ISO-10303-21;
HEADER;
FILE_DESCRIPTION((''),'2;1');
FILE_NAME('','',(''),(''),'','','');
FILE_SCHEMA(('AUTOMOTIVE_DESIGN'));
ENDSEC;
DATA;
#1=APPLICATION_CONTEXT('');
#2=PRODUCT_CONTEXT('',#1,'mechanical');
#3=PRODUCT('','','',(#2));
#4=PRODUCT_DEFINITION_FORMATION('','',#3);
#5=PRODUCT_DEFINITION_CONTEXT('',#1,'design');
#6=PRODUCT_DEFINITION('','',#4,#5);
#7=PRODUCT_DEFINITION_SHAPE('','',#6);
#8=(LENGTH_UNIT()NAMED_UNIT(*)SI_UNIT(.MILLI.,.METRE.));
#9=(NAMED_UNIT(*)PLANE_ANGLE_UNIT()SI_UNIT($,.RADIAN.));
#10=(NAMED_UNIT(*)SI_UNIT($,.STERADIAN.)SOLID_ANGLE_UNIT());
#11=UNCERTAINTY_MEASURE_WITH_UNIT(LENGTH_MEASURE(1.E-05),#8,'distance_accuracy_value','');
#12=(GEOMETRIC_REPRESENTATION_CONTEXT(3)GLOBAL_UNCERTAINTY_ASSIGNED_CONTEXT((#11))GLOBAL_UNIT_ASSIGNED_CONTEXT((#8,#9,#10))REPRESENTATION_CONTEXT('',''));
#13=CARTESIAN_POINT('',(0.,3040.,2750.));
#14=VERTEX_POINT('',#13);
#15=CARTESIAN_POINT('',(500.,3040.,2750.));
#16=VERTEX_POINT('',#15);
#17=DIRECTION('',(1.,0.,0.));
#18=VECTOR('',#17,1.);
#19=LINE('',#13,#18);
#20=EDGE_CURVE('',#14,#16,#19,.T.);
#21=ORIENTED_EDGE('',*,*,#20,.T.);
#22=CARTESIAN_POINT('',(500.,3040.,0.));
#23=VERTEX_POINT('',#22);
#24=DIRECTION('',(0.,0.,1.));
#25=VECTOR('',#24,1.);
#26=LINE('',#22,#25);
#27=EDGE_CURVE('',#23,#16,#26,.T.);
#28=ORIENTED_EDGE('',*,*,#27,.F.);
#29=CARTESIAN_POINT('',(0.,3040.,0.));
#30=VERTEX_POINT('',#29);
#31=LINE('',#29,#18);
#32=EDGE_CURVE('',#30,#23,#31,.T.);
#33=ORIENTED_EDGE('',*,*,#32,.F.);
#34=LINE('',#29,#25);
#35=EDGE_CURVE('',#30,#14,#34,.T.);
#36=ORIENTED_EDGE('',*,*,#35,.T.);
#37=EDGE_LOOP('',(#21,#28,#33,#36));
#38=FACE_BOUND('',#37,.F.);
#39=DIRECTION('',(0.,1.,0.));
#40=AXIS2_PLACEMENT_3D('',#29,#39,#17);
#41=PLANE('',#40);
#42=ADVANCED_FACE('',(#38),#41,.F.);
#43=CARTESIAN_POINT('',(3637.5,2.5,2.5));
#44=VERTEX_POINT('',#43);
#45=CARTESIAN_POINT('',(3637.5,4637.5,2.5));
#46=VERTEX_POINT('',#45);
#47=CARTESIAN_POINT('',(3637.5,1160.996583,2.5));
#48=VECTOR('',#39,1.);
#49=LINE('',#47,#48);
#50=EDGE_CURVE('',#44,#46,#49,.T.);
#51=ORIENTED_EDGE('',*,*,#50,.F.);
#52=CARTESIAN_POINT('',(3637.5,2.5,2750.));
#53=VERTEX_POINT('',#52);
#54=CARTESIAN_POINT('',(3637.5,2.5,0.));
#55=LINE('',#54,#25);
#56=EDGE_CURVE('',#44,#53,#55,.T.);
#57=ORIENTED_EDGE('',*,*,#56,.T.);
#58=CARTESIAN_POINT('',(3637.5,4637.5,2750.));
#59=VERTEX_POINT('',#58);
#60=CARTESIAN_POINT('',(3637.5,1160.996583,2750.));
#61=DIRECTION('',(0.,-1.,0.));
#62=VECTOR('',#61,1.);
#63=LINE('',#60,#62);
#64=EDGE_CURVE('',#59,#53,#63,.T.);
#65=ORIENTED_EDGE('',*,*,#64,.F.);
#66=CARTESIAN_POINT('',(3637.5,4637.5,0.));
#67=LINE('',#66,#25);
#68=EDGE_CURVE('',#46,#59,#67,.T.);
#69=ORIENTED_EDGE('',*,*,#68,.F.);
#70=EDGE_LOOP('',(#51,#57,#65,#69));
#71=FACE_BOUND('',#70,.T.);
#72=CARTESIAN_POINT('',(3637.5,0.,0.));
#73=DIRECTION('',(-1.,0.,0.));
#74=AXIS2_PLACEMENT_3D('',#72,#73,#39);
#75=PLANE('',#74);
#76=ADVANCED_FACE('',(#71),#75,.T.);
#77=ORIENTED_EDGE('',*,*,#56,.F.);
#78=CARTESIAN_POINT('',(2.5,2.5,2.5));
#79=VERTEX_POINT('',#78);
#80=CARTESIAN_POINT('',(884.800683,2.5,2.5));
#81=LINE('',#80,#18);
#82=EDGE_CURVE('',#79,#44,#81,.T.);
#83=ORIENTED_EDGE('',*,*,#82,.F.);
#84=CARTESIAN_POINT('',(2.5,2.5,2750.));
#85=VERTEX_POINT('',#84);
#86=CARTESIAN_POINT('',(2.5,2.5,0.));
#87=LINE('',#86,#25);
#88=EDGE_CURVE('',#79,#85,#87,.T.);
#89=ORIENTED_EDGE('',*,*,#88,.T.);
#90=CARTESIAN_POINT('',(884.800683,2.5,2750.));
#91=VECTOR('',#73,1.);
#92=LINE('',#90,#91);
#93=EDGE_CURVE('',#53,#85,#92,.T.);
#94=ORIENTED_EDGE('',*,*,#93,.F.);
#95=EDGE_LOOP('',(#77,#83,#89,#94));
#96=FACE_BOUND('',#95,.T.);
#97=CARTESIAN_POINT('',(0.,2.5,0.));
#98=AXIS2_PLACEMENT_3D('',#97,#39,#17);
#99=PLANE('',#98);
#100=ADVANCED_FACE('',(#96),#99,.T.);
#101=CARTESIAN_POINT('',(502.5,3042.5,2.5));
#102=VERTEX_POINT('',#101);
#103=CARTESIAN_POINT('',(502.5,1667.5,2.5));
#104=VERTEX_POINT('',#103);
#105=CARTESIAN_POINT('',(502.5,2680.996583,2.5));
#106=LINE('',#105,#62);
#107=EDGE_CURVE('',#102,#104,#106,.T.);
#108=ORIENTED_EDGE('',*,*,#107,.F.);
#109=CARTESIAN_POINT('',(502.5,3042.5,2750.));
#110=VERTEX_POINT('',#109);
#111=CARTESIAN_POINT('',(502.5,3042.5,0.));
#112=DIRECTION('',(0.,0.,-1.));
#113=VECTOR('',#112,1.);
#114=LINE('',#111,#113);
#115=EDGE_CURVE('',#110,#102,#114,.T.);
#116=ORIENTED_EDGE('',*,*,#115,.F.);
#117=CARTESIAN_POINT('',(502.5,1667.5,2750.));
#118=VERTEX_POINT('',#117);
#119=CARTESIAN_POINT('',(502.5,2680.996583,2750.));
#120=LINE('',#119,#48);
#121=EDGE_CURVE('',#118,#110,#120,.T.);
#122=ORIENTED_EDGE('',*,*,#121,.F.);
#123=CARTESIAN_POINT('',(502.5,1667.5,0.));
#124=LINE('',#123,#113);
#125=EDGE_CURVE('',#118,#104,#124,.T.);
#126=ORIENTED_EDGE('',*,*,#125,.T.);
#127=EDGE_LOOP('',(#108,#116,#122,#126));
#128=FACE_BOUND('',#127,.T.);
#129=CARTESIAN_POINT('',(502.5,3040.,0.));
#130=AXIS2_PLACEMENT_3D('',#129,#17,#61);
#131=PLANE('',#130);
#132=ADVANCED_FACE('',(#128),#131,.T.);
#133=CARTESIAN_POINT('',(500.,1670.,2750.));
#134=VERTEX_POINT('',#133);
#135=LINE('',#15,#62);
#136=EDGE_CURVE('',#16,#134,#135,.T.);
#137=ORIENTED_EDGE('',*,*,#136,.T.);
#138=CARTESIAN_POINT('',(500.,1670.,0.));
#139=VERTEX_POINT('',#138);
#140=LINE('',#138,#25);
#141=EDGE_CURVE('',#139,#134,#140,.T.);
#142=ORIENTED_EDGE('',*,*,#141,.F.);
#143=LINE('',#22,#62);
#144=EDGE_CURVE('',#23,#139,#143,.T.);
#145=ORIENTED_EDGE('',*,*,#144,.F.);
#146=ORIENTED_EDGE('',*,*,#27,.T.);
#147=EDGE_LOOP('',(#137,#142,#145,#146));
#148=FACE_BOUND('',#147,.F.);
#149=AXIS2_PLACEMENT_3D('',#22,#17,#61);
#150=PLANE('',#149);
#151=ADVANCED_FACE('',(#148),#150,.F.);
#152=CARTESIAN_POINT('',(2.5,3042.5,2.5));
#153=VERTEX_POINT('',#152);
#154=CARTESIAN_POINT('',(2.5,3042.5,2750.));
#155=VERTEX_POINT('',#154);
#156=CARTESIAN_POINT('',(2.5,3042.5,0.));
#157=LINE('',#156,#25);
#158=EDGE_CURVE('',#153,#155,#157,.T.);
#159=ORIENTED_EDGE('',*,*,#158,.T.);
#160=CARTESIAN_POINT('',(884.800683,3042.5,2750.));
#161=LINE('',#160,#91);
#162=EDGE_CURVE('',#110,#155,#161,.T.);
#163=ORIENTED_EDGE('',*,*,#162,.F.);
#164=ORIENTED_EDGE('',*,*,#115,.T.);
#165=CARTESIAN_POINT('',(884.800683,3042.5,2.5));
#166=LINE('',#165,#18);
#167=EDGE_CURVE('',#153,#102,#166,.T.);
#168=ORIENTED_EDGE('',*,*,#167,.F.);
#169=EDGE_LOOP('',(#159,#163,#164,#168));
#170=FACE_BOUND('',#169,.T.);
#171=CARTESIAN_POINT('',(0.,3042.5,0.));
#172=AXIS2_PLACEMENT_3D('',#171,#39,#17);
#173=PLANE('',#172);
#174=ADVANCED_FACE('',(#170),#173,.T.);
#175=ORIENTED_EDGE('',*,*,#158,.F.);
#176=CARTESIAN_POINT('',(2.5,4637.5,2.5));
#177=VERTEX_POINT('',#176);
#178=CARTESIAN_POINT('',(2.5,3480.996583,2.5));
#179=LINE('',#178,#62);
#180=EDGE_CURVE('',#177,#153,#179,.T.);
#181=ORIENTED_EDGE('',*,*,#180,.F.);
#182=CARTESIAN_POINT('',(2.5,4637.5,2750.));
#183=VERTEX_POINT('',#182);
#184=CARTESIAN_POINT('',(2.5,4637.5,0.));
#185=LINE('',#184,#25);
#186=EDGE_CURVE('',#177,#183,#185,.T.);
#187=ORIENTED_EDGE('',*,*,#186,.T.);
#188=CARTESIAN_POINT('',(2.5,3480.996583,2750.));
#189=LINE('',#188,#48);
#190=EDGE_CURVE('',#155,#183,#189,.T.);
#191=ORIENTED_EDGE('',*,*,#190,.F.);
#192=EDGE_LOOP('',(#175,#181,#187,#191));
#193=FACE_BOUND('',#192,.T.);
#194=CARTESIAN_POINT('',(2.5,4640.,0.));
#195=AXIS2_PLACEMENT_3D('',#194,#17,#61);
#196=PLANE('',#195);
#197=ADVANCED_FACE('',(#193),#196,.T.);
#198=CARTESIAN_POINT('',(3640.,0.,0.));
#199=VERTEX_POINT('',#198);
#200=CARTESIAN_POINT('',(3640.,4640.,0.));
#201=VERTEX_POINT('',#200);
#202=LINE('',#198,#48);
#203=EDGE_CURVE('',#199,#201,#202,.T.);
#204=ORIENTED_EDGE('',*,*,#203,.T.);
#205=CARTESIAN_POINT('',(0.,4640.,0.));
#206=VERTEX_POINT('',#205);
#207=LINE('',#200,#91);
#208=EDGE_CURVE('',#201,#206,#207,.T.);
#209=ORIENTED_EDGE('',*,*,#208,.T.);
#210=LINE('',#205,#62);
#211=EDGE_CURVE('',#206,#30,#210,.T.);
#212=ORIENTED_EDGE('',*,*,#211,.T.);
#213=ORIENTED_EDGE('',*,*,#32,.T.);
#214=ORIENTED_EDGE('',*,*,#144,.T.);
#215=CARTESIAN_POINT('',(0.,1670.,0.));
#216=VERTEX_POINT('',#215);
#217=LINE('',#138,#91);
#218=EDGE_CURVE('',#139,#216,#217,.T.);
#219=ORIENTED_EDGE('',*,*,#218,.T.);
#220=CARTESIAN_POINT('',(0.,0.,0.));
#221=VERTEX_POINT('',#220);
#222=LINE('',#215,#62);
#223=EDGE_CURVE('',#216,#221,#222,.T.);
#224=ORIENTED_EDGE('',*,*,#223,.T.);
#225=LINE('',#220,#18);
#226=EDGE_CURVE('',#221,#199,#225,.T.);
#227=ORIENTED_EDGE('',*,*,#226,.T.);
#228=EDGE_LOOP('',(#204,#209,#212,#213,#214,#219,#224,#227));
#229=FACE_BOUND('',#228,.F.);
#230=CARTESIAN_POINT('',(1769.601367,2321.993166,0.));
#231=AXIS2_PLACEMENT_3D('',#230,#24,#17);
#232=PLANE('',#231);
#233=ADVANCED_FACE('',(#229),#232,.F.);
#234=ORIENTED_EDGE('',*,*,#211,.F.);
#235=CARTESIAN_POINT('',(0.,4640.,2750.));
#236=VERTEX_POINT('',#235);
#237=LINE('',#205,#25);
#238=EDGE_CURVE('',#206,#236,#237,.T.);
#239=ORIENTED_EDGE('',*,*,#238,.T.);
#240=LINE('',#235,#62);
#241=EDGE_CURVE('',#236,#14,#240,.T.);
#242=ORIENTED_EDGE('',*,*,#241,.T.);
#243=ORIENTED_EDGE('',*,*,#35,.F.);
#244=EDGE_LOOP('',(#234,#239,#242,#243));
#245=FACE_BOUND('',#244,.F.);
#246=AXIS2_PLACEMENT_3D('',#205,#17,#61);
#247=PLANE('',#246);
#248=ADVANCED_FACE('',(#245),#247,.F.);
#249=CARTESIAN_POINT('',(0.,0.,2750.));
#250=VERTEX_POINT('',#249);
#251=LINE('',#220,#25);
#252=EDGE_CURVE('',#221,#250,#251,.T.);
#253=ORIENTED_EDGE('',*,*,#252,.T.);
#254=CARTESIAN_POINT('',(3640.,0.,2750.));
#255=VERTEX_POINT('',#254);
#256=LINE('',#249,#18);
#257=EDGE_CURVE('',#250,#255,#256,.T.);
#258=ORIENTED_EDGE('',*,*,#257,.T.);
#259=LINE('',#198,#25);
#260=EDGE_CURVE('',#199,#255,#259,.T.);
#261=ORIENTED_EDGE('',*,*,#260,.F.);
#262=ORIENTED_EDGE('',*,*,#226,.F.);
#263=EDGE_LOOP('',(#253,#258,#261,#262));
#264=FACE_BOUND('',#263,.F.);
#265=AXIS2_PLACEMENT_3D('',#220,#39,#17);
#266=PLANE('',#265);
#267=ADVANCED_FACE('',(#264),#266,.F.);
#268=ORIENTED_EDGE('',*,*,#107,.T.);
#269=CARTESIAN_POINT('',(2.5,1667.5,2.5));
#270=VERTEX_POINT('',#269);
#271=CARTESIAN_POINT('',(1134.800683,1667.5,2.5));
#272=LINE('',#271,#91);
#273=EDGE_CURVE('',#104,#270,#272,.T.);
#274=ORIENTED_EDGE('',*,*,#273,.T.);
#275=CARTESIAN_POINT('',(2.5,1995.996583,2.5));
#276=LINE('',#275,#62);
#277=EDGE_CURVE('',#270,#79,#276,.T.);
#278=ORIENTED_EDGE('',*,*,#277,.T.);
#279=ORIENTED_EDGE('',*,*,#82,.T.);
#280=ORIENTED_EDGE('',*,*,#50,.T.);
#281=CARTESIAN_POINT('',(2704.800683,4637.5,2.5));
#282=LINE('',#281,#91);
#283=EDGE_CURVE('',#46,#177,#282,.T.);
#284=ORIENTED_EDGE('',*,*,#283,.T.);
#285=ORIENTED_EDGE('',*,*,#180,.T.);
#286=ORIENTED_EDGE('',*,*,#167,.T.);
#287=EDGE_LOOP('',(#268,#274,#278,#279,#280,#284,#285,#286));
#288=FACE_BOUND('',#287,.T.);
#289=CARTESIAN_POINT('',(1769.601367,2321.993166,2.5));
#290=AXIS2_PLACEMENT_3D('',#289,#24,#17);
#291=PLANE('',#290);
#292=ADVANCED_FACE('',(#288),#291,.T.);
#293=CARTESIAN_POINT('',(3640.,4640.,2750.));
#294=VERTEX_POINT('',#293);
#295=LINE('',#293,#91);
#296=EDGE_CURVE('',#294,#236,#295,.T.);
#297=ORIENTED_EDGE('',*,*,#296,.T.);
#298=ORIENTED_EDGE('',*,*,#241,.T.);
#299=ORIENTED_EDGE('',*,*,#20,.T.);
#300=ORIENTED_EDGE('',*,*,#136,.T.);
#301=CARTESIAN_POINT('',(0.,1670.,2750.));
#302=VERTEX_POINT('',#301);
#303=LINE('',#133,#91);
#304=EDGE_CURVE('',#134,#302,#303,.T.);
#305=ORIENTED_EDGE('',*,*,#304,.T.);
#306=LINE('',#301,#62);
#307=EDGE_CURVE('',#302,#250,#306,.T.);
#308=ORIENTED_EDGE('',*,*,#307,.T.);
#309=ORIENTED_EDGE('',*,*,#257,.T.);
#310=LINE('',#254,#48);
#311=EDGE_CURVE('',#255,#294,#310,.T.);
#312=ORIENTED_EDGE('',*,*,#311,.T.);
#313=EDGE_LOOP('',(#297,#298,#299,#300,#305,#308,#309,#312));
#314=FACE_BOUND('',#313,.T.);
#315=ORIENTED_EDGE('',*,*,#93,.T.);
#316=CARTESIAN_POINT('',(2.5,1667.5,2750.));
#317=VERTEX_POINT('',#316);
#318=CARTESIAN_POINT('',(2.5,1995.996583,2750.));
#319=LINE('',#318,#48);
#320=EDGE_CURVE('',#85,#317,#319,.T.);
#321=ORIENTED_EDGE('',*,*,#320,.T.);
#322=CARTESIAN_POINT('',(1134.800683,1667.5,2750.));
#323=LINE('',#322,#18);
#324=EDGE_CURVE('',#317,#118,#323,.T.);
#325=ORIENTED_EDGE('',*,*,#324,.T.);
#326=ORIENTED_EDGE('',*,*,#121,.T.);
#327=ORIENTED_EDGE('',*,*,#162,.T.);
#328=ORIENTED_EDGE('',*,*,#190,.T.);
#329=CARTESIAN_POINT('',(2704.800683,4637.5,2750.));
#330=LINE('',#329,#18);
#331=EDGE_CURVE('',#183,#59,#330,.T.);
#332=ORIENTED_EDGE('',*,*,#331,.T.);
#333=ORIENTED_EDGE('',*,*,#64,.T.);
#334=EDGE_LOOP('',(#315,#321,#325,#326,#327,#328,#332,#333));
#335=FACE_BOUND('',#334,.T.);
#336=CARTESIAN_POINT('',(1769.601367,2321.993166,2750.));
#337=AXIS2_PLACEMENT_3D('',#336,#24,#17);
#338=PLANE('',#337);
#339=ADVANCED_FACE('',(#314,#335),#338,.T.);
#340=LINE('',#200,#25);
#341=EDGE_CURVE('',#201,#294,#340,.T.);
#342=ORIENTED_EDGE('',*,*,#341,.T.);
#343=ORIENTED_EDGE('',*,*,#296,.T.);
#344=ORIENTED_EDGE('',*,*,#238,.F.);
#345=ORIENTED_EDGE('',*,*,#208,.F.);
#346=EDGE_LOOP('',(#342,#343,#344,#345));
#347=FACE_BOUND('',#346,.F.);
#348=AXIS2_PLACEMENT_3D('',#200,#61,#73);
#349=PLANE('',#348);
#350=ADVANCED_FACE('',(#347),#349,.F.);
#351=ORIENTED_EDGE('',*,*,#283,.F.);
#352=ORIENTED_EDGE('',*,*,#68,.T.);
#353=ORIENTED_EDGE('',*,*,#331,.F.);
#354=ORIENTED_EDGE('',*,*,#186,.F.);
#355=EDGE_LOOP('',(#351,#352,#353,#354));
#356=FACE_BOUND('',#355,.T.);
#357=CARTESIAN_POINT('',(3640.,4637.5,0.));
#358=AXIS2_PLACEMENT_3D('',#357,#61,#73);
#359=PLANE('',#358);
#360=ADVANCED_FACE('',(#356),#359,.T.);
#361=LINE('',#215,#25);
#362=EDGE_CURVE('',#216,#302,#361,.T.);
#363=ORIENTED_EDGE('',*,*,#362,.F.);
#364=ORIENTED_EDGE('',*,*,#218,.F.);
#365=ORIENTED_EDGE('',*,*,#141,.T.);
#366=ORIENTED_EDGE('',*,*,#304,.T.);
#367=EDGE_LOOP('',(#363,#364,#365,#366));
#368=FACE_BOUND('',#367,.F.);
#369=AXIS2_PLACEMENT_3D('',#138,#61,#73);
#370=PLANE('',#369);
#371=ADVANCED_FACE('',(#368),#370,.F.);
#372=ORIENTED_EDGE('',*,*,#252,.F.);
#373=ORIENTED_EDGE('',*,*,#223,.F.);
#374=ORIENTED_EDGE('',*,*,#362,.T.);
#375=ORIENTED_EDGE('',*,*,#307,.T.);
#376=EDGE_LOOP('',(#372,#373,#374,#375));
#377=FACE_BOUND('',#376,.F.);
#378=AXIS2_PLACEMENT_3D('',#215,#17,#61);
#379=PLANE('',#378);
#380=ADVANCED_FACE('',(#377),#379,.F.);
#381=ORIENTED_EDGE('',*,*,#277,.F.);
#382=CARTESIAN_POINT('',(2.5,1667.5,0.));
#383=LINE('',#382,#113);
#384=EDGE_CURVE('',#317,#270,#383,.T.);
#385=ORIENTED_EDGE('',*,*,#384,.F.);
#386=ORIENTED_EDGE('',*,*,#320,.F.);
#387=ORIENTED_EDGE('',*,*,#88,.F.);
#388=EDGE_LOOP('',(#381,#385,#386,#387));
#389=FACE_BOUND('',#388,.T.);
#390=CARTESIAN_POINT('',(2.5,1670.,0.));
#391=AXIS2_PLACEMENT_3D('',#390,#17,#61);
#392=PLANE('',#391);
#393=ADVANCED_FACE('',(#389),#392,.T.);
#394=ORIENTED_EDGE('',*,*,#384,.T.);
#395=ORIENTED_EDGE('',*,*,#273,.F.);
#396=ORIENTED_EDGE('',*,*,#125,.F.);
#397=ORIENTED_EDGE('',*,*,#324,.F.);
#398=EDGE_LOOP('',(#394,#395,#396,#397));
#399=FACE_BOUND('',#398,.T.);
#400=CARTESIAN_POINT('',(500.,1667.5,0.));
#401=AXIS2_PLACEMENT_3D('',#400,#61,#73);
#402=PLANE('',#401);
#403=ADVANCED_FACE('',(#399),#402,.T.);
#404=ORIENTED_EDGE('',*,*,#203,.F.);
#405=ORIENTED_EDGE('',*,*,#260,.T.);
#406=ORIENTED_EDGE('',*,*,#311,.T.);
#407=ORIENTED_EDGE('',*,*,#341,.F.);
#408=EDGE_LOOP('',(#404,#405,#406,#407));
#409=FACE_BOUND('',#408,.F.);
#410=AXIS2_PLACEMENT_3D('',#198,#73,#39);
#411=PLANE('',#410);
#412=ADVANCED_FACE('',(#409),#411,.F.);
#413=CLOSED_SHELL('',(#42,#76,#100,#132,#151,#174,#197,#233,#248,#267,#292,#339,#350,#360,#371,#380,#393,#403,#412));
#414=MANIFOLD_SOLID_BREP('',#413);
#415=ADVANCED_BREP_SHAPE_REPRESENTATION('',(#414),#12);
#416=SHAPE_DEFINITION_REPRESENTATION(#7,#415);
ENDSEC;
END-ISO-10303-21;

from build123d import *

# Parameters (mm, degrees)
F1_DEPTH = 2750
F2_T     = -2.5


with BuildPart() as f1:
    # F0 (on Top) → F1 (new body)
    with BuildSketch(Plane.XY):
        Polygon((0, 1670), (0, 0), (3640, 0), (3640, 4640), (0, 4640), (0, 3040), (500, 3040), (500, 1670), align=None)
    extrude(amount=F1_DEPTH)

    # F2
    f2_openings = [f1.faces().sort_by_distance(p)[0] for p in [
        (1886.366958, 2318.520482, 2750),
    ]]
    offset(amount=F2_T, openings=f2_openings, kind=Kind.INTERSECTION)


solid = f1.part
